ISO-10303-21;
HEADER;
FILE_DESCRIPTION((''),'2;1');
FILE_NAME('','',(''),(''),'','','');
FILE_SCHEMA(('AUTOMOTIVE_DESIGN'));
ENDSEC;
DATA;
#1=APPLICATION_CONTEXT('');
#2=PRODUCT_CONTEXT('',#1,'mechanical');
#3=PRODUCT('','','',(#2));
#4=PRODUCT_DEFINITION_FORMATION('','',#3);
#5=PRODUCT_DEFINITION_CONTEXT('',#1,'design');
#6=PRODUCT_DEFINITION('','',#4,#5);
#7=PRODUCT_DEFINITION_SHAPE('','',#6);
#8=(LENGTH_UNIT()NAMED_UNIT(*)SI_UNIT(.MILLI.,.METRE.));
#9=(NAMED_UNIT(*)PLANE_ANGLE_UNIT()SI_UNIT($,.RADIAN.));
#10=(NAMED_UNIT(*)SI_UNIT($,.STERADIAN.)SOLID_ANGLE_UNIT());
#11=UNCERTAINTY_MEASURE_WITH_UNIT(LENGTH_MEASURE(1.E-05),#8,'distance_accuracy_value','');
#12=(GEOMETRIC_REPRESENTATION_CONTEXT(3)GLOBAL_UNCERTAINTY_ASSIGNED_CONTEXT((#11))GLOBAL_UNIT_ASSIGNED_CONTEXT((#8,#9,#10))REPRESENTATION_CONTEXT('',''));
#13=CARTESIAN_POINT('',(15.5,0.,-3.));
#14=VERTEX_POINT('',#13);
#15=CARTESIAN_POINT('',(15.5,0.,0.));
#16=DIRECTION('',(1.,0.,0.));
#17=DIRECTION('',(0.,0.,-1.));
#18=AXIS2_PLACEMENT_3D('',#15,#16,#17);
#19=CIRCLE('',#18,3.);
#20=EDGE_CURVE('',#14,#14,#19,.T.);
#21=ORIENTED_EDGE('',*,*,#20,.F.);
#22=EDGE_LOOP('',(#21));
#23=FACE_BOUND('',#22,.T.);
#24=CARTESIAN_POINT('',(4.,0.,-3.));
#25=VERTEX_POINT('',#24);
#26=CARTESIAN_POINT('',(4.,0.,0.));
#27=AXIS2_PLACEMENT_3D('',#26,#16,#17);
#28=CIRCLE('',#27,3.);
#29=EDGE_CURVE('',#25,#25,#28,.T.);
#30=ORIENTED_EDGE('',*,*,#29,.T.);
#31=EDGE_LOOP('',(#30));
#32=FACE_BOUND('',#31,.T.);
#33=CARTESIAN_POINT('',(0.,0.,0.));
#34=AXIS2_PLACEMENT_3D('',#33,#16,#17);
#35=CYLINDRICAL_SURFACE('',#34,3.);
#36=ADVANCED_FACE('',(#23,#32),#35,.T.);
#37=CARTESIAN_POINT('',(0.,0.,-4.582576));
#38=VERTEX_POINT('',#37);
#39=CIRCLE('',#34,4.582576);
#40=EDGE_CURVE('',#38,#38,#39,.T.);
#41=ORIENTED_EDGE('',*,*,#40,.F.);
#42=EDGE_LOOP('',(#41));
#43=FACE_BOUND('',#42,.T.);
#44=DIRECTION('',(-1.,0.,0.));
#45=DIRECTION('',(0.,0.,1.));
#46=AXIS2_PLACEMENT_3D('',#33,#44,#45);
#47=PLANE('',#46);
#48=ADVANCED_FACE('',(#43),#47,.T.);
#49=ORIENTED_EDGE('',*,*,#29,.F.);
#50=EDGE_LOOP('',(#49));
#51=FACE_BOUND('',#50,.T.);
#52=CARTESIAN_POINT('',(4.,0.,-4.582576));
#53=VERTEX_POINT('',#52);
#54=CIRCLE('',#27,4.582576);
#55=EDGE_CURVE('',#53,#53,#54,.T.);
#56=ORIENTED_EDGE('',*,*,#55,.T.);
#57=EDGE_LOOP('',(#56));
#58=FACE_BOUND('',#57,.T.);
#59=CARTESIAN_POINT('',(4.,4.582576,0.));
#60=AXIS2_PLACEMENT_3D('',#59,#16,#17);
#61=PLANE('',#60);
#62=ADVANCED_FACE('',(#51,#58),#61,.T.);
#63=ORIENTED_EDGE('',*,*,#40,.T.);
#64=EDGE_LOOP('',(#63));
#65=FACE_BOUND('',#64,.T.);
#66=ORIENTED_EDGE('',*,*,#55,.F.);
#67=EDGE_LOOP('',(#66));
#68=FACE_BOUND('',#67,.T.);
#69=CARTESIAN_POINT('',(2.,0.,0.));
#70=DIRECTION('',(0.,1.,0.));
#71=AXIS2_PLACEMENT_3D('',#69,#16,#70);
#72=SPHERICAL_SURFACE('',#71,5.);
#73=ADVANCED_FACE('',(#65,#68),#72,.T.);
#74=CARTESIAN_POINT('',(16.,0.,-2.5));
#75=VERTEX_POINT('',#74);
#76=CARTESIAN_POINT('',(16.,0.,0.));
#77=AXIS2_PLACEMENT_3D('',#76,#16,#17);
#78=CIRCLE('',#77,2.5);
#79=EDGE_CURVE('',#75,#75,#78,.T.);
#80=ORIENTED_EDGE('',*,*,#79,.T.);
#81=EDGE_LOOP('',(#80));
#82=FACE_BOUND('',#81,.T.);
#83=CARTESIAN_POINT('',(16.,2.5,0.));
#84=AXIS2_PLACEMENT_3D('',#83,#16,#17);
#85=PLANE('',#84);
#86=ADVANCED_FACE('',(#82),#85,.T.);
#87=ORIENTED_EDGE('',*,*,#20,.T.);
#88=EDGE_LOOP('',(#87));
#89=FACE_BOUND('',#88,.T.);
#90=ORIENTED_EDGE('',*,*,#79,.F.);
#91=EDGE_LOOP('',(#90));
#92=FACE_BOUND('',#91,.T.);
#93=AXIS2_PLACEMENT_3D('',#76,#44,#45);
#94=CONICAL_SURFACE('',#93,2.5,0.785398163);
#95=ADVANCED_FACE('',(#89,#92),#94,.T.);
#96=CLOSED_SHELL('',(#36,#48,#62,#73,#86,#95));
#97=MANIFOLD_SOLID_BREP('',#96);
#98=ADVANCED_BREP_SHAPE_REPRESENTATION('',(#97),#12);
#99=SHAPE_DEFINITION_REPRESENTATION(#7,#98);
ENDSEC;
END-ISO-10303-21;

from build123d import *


with BuildPart() as part:
    # Эскиз1 → Повернуть1 (revolve)
    with BuildSketch(Plane.XY):
        with BuildLine():
            Line((0, 0), (0, 4.582575695))
            ThreePointArc((0, 4.582575695), (2, 5), (4, 4.582575695))
            Line((4, 4.582575695), (4, 3))
            Line((4, 3), (15.5, 3))
            Line((15.5, 3), (16, 2.5))
            Line((16, 2.5), (16, 0))
            Line((16, 0), (0, 0))
        make_face()
    revolve(axis=Axis((0, 0, 0), (-1, 0, 0)))


solid = part.part
